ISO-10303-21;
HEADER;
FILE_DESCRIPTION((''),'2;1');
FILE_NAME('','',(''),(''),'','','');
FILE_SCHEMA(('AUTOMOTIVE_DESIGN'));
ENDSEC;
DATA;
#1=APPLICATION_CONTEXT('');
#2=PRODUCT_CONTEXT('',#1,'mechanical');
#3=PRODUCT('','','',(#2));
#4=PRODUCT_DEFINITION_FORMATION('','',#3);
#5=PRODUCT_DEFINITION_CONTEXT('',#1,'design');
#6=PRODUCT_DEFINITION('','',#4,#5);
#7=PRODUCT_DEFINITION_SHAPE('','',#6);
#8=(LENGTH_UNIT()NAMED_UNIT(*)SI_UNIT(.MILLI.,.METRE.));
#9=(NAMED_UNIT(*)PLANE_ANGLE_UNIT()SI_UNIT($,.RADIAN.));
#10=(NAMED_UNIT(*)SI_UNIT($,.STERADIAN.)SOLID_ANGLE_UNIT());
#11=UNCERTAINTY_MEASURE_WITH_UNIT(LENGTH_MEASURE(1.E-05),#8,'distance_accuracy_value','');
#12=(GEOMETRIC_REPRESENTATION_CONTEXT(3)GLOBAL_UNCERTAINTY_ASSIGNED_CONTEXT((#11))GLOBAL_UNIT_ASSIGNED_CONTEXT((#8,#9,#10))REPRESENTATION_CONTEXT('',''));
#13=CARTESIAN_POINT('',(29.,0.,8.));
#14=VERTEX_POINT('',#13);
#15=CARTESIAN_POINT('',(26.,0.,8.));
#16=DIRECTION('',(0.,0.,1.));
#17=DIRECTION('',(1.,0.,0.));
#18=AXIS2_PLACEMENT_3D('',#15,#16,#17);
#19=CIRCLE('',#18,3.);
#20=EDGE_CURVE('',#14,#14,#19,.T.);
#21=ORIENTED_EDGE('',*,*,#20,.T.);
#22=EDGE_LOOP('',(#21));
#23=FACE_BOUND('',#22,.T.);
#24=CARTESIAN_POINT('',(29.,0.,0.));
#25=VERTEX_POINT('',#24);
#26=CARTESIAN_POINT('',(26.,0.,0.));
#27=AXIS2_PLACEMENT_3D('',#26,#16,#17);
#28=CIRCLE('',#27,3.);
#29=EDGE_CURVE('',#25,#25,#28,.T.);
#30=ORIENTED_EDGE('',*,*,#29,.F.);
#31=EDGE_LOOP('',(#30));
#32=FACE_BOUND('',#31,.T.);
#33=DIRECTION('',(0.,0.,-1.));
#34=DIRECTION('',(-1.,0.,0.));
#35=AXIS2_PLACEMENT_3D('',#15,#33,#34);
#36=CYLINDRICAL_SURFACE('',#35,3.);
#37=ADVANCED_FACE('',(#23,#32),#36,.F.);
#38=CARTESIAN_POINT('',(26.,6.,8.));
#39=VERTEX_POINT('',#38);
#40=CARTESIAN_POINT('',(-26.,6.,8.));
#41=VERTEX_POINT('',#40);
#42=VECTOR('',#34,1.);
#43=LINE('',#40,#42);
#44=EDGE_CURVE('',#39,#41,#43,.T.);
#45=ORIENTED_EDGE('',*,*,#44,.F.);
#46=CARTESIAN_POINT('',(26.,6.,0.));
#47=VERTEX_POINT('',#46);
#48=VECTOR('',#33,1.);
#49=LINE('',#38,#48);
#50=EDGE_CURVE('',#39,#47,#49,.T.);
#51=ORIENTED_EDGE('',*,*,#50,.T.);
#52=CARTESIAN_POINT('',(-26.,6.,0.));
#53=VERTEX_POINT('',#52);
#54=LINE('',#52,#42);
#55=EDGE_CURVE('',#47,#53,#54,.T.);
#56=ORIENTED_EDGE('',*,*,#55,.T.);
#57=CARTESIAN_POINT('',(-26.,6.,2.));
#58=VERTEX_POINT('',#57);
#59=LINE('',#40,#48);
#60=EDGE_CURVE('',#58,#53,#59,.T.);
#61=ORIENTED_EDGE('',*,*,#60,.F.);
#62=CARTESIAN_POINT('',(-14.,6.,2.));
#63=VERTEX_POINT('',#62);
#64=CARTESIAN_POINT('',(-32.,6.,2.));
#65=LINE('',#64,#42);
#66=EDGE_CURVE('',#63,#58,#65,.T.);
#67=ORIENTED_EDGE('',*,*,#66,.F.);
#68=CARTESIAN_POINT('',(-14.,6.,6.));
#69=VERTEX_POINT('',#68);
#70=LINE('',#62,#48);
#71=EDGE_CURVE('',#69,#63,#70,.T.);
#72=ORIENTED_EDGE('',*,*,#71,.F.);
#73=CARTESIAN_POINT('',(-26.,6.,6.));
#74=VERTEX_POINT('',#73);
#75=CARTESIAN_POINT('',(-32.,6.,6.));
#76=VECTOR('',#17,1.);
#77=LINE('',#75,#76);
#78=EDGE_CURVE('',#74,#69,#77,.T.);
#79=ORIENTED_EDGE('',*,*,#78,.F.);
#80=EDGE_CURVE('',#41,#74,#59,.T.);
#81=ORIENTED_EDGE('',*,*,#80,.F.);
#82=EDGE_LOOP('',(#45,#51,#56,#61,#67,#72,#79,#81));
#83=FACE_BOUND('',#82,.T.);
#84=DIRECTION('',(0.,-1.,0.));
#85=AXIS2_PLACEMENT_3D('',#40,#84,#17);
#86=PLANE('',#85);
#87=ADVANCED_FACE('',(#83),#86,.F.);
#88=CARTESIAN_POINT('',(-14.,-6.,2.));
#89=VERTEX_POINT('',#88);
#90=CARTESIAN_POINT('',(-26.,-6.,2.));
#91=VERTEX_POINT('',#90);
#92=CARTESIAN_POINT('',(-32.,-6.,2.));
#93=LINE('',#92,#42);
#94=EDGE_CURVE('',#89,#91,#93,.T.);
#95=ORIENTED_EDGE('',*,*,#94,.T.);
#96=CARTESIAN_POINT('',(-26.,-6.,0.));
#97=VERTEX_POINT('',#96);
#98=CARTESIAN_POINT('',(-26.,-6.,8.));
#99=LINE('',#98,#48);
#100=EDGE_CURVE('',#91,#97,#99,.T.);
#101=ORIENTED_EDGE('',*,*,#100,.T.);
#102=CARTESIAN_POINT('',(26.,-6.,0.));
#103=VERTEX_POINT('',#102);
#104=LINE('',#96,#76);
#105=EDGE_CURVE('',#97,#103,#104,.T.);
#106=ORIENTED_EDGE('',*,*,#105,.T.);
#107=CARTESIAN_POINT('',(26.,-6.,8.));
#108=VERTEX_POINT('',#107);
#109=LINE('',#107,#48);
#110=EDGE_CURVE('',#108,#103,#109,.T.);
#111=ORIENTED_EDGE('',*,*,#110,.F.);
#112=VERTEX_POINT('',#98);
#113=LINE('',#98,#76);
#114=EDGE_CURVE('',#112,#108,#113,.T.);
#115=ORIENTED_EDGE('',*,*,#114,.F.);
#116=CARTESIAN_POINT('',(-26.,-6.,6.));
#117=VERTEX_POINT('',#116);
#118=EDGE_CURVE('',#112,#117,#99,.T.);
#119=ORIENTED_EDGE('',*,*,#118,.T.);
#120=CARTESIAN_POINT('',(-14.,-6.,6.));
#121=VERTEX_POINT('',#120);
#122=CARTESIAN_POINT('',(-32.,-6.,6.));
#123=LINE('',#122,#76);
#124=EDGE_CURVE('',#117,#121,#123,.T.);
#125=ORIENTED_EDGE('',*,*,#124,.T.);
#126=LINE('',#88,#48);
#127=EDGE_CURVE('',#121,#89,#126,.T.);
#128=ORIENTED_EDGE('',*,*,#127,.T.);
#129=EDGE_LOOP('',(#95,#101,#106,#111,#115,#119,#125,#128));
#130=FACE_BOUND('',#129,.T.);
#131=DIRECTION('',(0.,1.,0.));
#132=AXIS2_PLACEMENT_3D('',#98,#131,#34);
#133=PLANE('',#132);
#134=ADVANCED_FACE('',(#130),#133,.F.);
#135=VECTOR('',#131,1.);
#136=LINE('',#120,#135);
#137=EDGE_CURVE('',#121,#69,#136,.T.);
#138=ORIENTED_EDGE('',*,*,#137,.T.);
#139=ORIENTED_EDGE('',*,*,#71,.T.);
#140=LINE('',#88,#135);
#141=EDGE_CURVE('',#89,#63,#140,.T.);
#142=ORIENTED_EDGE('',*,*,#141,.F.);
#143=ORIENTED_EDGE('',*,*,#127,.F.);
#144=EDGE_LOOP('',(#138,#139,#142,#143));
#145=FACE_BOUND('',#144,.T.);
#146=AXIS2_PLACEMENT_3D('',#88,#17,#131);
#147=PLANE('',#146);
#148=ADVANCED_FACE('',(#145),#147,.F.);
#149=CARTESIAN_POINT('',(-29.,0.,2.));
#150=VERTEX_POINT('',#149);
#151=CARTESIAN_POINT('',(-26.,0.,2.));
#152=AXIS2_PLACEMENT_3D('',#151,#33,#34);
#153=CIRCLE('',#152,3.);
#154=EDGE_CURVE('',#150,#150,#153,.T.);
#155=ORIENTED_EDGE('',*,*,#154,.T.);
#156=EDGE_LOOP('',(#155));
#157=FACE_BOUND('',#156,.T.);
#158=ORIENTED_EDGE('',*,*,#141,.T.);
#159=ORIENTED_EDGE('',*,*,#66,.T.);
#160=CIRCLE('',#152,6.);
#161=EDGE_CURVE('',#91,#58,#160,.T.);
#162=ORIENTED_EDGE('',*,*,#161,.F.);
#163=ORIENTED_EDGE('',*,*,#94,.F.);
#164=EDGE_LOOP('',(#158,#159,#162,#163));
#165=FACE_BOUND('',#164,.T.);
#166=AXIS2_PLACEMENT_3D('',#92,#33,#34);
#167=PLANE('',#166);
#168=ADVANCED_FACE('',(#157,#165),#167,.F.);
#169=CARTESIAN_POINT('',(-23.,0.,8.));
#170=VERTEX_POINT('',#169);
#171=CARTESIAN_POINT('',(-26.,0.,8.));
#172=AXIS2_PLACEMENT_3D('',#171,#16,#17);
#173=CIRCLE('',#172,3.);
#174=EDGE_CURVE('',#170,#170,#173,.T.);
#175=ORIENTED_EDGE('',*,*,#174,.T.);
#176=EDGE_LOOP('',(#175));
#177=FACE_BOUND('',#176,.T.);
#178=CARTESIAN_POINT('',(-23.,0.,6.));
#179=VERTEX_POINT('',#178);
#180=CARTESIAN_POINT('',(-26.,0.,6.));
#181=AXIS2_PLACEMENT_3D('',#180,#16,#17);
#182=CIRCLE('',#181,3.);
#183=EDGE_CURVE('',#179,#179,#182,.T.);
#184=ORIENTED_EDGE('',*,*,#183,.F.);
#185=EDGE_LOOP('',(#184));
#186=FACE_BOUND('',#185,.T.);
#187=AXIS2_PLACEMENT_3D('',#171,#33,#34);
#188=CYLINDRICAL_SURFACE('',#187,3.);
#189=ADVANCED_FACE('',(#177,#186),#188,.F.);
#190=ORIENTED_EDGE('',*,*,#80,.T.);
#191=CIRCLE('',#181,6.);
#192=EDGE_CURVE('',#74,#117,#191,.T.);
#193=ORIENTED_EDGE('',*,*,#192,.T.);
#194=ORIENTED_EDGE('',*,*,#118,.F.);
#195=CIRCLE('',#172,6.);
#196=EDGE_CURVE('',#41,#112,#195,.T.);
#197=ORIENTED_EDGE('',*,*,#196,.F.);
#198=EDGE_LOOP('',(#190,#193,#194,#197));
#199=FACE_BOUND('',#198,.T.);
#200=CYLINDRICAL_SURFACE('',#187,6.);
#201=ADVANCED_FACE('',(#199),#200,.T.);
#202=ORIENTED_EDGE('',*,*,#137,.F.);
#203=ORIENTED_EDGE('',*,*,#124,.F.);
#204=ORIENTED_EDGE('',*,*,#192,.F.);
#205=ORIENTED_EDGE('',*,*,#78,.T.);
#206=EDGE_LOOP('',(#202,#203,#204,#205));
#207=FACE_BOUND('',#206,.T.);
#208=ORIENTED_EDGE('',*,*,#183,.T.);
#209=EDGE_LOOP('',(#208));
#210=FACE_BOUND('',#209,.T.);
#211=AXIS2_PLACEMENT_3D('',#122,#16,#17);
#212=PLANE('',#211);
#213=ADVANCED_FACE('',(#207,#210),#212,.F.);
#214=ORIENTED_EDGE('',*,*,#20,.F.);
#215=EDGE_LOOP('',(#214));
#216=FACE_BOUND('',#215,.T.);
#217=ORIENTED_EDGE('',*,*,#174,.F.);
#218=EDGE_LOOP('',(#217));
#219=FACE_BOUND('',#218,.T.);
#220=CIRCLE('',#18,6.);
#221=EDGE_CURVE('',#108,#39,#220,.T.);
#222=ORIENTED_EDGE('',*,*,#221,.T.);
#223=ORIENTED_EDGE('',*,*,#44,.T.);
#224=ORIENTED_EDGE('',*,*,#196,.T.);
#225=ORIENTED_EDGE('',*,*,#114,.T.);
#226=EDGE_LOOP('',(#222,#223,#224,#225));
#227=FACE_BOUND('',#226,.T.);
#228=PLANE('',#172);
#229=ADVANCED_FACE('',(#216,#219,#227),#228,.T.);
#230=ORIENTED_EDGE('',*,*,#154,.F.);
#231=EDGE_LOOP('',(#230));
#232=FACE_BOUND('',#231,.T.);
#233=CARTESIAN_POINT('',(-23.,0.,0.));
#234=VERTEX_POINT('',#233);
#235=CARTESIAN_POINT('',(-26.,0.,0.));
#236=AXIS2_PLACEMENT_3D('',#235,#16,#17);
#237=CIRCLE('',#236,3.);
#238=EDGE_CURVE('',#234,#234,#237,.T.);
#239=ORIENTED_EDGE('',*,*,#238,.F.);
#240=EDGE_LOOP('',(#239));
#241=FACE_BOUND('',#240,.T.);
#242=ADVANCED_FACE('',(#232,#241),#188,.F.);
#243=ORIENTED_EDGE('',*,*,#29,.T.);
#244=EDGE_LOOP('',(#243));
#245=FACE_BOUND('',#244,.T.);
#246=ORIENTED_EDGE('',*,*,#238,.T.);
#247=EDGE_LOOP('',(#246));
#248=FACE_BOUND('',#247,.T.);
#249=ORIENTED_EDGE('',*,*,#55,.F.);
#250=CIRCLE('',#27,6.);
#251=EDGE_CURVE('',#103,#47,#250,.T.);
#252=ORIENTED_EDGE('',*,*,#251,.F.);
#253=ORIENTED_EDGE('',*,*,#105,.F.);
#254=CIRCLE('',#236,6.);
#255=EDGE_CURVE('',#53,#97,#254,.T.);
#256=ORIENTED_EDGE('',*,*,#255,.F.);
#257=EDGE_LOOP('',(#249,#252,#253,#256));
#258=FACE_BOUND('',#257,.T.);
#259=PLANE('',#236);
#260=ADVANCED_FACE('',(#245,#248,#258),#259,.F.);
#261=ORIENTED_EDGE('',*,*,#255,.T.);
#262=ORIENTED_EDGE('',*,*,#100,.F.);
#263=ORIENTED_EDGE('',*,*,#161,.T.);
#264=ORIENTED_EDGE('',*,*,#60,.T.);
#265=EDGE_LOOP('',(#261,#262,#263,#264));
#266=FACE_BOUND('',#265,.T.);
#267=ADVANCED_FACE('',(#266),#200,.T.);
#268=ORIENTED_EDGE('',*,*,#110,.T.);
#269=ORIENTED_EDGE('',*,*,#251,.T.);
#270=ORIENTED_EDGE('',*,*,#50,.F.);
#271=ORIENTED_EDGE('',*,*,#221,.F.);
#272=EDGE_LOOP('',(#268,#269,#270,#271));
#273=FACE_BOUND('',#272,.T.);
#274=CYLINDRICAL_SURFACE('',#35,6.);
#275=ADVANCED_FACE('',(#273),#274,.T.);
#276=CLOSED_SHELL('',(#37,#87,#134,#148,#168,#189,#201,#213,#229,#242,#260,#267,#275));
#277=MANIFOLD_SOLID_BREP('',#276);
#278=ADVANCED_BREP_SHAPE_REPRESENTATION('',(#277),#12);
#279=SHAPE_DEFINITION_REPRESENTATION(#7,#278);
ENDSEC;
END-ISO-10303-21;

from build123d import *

# Parameters (mm, degrees)
SKETCH_1_R          = 3
EXTRUDE_1_DEPTH     = 8
SKETCH_2_W          = 18
SKETCH_2_H          = 4
CUT_EXTRUDE_1_DEPTH = 36.09985755


with BuildPart() as part:
    # 草图1 → 凸台-拉伸1 (new body)
    with BuildSketch(Plane.XY):
        with BuildLine():
            Line((-26, 6), (26, 6))
            ThreePointArc((26, 6), (32, 0), (26, -6))
            Line((26, -6), (-26, -6))
            ThreePointArc((-26, -6), (-32, 0), (-26, 6))
        make_face()
        with Locations((-26, 0)):
            Circle(SKETCH_1_R, mode=Mode.SUBTRACT)
        with Locations((26, 0)):
            Circle(SKETCH_1_R, mode=Mode.SUBTRACT)
    extrude(amount=EXTRUDE_1_DEPTH)

    # 草图2 → 切除-拉伸1 (cut, through all)
    with BuildSketch(Plane(origin=(0, 6, 0), x_dir=(1, 0, 0), z_dir=(0, 1, 0))):
        with Locations((-23, -4)):
            Rectangle(SKETCH_2_W, SKETCH_2_H)
    extrude(amount=-CUT_EXTRUDE_1_DEPTH, mode=Mode.SUBTRACT)


solid = part.part
